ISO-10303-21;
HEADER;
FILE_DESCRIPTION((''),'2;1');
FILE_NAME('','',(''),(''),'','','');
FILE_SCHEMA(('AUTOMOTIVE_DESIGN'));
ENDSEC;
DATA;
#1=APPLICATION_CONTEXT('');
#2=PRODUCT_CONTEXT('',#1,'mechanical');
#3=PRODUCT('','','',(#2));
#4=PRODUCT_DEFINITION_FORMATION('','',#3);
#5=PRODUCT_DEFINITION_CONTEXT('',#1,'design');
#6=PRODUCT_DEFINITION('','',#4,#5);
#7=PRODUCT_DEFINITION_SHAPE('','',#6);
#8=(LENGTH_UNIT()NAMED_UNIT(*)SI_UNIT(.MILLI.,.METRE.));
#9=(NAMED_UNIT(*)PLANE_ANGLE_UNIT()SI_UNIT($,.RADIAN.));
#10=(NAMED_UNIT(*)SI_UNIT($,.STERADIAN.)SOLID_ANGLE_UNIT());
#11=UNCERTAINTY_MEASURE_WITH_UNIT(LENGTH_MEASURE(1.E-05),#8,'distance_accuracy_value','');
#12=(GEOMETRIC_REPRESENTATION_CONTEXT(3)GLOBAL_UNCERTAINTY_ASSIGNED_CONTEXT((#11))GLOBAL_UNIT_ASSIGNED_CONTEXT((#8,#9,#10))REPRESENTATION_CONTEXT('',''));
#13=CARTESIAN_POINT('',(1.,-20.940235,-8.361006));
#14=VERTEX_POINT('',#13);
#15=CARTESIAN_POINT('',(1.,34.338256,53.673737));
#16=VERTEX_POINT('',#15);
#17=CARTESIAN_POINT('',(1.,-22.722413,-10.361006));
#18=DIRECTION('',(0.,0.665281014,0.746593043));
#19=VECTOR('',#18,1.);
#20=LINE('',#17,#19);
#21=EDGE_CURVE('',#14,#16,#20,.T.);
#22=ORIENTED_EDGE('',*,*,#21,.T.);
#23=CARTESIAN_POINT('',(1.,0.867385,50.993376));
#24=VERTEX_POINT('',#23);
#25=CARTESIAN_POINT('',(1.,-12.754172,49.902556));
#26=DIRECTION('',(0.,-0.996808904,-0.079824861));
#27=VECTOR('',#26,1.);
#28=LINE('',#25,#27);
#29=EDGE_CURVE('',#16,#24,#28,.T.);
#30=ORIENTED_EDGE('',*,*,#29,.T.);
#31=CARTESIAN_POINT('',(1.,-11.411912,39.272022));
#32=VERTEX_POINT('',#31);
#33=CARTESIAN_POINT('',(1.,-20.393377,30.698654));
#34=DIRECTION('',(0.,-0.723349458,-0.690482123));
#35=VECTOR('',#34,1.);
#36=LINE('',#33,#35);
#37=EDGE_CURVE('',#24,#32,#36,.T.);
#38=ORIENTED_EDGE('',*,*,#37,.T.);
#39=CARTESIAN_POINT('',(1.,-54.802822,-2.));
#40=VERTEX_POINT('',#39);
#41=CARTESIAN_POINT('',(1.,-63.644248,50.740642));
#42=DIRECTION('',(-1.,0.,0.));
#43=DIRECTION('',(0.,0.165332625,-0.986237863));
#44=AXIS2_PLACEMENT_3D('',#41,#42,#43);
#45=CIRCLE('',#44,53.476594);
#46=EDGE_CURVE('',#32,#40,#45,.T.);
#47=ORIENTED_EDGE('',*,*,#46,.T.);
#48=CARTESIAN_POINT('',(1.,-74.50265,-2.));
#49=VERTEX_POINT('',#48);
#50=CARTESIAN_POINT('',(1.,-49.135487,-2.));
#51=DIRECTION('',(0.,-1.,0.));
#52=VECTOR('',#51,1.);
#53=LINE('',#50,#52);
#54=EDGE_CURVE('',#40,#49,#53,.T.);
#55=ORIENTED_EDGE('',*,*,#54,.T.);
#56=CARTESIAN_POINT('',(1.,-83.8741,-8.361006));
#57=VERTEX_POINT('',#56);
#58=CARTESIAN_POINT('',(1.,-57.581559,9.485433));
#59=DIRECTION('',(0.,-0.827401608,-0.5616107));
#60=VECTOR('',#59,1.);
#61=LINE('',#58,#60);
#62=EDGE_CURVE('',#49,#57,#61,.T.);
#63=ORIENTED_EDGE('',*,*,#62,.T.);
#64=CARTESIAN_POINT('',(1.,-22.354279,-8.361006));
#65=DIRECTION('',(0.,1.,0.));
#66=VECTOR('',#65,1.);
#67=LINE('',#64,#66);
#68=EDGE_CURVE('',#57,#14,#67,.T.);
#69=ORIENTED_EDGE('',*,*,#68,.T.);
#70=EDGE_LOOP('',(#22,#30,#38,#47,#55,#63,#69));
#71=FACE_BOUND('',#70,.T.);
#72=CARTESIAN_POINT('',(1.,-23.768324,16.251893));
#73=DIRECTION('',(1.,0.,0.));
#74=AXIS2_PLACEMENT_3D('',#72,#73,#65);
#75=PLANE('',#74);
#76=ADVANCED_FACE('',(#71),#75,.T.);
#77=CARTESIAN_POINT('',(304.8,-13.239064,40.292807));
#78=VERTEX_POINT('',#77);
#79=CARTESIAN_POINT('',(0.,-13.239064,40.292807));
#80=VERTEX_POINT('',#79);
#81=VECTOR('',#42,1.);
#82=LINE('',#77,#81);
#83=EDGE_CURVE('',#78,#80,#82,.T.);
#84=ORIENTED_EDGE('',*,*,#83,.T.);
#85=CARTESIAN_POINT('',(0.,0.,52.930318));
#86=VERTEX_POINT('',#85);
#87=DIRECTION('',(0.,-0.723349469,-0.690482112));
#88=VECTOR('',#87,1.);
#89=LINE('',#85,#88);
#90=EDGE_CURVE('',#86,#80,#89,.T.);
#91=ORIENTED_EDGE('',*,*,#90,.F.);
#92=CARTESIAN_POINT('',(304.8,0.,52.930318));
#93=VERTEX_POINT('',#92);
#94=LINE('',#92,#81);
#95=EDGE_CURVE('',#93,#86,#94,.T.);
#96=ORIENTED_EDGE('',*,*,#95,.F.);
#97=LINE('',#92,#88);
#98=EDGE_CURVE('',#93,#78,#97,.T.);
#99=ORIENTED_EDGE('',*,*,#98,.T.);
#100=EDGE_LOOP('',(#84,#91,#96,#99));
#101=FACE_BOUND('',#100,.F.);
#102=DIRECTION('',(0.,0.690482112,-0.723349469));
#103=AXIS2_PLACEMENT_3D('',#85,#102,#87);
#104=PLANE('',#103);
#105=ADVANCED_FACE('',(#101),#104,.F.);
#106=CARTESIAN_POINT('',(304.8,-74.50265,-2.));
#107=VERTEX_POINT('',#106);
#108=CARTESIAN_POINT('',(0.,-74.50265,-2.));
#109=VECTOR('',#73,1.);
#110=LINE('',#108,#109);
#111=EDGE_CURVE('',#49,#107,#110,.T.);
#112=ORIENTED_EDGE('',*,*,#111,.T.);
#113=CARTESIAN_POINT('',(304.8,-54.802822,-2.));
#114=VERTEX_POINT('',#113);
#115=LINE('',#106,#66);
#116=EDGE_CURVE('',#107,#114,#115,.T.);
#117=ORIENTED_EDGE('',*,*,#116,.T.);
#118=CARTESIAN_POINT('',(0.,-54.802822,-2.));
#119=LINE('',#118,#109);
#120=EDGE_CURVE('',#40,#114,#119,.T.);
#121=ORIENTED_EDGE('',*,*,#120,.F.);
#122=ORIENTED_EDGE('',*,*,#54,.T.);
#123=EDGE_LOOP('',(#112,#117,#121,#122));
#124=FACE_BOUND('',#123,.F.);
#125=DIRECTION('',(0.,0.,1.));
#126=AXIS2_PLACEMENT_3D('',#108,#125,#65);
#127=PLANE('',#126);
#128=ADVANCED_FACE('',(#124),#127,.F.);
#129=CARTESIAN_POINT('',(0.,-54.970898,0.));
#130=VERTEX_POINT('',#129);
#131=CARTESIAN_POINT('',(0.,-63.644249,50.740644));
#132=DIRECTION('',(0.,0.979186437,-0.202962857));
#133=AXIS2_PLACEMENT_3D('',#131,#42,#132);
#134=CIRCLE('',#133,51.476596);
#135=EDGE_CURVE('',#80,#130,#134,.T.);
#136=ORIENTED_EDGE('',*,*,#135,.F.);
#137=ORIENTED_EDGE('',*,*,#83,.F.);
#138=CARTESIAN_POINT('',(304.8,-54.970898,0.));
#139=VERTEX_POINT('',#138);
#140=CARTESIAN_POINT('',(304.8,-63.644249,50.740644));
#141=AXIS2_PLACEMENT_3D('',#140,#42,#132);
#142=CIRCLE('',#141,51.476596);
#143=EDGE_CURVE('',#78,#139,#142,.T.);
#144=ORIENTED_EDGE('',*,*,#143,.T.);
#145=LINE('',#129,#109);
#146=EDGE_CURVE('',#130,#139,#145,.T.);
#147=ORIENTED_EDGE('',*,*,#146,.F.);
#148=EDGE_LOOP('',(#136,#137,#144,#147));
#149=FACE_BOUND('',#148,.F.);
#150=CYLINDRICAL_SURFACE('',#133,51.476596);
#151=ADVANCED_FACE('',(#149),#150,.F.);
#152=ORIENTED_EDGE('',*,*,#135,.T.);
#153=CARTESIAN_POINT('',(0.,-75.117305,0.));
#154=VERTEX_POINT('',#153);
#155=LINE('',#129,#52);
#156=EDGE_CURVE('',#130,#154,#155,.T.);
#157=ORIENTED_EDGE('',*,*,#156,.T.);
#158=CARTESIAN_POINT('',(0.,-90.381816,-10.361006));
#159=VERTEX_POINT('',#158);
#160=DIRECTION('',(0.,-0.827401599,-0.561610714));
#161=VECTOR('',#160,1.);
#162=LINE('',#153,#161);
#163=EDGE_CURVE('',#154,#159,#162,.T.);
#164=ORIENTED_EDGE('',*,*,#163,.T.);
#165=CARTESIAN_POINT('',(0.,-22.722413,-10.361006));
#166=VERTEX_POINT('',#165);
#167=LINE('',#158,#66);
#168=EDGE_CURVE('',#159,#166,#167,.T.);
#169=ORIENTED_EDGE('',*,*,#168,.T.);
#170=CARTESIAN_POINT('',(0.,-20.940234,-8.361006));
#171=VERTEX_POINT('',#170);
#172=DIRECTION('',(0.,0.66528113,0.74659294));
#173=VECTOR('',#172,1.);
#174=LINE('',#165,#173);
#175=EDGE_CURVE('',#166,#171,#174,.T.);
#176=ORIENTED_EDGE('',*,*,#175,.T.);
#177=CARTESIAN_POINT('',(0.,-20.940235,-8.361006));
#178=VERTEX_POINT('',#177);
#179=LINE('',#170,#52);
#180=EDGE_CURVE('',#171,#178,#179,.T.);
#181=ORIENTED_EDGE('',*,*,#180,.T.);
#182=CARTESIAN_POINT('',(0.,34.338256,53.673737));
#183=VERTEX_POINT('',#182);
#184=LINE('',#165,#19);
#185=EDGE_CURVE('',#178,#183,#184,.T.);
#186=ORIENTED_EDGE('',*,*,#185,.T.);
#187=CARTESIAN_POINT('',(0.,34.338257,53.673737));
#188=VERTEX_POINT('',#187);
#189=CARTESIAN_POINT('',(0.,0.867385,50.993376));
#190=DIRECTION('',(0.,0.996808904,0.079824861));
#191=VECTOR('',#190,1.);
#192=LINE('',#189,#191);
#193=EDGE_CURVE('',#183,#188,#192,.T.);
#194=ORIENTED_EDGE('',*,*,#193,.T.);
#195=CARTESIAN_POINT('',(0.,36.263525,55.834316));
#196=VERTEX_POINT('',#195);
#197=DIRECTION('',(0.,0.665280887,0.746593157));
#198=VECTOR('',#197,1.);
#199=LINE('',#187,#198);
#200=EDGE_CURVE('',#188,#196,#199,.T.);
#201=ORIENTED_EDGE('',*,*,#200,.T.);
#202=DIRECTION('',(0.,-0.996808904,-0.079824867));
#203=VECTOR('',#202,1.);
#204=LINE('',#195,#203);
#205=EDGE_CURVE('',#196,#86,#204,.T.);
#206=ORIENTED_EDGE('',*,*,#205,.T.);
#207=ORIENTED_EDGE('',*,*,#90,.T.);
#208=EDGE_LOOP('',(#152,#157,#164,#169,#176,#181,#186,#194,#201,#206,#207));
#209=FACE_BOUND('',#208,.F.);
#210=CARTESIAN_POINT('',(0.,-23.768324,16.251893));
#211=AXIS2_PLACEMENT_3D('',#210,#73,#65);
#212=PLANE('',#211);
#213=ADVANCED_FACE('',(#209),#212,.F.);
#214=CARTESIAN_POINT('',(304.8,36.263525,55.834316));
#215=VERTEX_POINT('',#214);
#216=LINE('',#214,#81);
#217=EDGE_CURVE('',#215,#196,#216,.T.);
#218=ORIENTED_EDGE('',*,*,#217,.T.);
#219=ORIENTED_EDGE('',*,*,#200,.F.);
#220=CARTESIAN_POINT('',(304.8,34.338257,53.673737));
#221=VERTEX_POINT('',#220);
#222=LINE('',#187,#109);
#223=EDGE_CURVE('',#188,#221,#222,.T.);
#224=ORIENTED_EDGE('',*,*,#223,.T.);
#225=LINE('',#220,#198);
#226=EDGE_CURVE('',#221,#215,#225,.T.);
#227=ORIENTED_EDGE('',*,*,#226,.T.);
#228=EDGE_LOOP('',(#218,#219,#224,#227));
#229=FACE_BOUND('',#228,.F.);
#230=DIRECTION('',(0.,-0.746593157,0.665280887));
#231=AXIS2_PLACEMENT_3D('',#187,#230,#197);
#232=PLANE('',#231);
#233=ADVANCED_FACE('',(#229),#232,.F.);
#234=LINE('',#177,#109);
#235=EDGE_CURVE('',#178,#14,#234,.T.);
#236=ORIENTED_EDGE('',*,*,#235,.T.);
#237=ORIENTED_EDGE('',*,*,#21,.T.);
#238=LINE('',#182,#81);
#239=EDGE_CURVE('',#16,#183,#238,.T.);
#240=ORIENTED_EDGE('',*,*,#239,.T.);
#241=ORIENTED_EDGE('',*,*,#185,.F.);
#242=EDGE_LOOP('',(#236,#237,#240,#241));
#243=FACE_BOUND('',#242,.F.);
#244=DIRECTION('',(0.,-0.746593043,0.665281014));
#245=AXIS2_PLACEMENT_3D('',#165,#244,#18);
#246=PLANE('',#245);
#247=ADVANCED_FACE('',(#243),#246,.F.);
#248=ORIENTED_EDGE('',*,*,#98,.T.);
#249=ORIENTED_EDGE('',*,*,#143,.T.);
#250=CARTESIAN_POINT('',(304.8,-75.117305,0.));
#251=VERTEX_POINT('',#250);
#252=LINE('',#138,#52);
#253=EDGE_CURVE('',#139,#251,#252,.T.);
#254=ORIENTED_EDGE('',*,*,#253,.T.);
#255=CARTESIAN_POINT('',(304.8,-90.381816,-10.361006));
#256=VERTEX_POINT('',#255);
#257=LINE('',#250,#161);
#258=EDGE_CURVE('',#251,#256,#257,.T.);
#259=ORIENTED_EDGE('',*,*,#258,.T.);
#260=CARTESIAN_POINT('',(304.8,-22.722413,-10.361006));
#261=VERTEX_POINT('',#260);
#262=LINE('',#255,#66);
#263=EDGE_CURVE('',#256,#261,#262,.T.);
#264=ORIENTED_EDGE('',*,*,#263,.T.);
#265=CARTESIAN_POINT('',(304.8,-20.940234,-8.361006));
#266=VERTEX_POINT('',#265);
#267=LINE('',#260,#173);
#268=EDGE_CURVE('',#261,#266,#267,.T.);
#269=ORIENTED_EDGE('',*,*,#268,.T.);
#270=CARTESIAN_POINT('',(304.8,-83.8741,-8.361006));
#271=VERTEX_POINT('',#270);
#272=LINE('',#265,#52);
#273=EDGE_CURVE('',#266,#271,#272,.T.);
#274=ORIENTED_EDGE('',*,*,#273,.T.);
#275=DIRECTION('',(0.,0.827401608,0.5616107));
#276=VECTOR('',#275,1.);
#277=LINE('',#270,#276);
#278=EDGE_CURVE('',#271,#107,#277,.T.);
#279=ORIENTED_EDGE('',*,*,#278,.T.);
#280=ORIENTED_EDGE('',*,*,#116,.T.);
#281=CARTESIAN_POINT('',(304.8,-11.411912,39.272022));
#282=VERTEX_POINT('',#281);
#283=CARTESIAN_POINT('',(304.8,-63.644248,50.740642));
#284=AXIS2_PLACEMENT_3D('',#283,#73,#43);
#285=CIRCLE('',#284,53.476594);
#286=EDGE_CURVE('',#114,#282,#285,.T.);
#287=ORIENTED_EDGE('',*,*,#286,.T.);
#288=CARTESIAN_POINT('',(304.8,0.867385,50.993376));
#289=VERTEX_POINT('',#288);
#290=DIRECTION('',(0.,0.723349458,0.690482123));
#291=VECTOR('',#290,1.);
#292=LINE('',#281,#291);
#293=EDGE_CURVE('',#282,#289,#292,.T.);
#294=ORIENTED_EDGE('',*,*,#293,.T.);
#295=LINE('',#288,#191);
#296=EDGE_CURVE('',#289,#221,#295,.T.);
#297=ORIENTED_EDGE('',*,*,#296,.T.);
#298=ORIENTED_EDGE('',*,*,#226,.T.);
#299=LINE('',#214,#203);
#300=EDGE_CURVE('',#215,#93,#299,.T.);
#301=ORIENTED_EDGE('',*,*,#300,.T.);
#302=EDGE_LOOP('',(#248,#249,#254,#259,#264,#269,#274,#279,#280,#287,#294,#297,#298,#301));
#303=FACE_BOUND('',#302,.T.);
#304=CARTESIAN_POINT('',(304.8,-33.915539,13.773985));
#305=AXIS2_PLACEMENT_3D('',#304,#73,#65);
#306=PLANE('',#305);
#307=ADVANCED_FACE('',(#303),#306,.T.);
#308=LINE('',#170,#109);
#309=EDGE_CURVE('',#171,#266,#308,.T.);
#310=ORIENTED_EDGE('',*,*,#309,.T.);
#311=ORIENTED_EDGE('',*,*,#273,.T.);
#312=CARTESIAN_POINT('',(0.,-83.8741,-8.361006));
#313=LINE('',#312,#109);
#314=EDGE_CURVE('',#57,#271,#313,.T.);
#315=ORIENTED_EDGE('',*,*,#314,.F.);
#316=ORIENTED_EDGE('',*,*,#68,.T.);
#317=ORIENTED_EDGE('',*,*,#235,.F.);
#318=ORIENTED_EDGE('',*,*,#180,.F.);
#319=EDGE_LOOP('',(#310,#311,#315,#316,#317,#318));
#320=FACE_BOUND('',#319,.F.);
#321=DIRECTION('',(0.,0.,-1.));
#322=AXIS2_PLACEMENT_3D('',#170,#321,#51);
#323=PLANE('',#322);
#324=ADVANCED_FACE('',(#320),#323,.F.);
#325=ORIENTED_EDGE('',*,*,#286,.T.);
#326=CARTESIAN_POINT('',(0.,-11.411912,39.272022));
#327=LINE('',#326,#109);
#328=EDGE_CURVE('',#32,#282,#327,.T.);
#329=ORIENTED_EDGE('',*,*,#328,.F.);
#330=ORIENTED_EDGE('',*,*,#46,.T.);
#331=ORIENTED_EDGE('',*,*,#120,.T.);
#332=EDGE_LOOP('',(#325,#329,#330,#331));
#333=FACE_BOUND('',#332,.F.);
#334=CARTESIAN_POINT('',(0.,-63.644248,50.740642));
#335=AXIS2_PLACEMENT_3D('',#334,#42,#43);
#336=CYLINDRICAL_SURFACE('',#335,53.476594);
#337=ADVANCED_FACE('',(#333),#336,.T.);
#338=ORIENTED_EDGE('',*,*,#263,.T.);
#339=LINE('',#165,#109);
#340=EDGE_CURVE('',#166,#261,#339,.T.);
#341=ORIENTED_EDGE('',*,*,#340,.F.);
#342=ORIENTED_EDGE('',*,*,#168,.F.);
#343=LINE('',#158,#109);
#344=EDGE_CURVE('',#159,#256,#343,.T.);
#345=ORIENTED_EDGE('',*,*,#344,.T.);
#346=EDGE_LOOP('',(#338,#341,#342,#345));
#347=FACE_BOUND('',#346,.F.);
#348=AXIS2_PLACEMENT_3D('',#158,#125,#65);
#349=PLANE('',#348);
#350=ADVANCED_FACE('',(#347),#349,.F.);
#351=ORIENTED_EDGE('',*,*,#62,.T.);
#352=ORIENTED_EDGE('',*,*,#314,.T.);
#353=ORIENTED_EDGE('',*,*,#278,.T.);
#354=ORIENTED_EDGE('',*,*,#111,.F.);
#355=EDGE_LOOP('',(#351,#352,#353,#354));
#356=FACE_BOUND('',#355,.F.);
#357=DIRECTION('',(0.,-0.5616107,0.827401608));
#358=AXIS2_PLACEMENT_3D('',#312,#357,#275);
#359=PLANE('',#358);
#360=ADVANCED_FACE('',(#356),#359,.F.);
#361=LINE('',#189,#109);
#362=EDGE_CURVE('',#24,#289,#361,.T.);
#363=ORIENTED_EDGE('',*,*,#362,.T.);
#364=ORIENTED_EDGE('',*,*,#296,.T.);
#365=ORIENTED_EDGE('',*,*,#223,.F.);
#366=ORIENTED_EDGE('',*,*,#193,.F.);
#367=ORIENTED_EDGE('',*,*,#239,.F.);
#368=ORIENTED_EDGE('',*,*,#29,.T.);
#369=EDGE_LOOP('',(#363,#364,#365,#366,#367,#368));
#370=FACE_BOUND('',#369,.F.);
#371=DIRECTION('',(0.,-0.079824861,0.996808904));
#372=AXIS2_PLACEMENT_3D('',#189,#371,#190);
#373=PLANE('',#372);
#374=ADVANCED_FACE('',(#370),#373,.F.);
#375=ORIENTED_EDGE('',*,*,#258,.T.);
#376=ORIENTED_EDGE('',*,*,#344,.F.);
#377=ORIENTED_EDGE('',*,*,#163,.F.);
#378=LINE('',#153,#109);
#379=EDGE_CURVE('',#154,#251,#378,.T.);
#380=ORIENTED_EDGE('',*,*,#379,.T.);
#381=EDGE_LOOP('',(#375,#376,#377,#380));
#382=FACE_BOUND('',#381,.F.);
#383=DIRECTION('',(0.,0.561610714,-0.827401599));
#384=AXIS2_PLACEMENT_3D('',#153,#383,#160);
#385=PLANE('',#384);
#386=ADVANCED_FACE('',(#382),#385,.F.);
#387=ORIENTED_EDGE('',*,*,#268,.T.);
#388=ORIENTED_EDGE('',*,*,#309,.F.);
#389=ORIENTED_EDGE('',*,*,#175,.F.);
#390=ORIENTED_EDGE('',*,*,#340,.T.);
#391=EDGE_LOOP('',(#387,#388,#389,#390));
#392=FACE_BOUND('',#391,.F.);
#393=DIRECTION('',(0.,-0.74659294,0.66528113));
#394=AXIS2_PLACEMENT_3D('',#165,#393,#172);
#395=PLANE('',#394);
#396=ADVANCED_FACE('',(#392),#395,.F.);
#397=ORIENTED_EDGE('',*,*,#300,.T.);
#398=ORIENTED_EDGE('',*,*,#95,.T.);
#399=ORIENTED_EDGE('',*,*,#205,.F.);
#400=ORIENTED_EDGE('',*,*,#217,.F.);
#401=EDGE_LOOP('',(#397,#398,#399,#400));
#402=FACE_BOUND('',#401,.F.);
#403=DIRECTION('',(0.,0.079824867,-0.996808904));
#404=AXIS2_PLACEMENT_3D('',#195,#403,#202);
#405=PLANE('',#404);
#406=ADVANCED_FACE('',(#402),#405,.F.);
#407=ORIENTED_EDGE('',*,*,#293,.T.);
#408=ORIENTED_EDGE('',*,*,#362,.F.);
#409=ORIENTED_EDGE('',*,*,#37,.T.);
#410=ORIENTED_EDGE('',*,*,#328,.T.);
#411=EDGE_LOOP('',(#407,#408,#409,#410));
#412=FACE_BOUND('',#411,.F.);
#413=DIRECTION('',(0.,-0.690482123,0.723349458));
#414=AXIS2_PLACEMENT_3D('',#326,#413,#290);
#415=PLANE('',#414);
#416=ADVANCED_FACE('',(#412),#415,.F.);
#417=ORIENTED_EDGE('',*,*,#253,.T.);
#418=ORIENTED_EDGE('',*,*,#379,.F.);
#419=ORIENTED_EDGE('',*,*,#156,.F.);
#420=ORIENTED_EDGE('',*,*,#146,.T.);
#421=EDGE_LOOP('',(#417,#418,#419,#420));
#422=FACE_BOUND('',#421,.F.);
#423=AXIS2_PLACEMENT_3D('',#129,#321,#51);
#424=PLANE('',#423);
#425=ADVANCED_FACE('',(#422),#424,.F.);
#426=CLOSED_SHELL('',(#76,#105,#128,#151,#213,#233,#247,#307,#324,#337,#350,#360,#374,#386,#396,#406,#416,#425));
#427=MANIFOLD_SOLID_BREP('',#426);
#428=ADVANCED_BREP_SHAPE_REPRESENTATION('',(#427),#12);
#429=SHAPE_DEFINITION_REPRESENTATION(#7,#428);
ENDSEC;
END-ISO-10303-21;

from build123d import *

# Parameters (mm, degrees)
F1_DEPTH = 1
F3_DEPTH = 304.8


with BuildPart() as f1:
    # F0 (on Right) → F1 (new body)
    with BuildSketch(Plane.YZ):
        with BuildLine():
            ThreePointArc((-13.239064, 40.292807), (-27.888887, 13.708306), (-54.970898, 0))
            Line((-54.970898, 0), (-75.117305, 0))
            Line((-75.117305, 0), (-90.381816, -10.361006))
            Line((-90.381816, -10.361006), (-22.722413, -10.361006))
            Line((-22.722413, -10.361006), (36.263525, 55.834316))
            Line((36.263525, 55.834316), (0, 52.930318))
            Line((0, 52.930318), (-13.239064, 40.292807))
        make_face()
    extrude(amount=F1_DEPTH)

    # F2 (on face) → F3 (join)
    with BuildSketch(Plane.YZ):
        with BuildLine():
            Line((-83.8741, -8.361006), (-74.50265, -2))
            Line((-74.50265, -2), (-54.802822, -2))
            ThreePointArc((-54.802822, -2), (-26.788501, 11.992738), (-11.411912, 39.272022))
            Line((-11.411912, 39.272022), (0.867385, 50.993376))
            Line((0.867385, 50.993376), (34.338257, 53.673737))
            Line((34.338257, 53.673737), (36.263525, 55.834316))
            Line((36.263525, 55.834316), (0, 52.930318))
            Line((0, 52.930318), (-13.239064, 40.292807))
            ThreePointArc((-13.239064, 40.292807), (-27.888887, 13.708306), (-54.970898, 0))
            Line((-54.970898, 0), (-75.117305, 0))
            Line((-75.117305, 0), (-90.381816, -10.361006))
            Line((-90.381816, -10.361006), (-22.722413, -10.361006))
            Line((-22.722413, -10.361006), (-20.940234, -8.361006))
            Line((-20.940234, -8.361006), (-83.8741, -8.361006))
        make_face()
    extrude(amount=F3_DEPTH)


solid = f1.part
